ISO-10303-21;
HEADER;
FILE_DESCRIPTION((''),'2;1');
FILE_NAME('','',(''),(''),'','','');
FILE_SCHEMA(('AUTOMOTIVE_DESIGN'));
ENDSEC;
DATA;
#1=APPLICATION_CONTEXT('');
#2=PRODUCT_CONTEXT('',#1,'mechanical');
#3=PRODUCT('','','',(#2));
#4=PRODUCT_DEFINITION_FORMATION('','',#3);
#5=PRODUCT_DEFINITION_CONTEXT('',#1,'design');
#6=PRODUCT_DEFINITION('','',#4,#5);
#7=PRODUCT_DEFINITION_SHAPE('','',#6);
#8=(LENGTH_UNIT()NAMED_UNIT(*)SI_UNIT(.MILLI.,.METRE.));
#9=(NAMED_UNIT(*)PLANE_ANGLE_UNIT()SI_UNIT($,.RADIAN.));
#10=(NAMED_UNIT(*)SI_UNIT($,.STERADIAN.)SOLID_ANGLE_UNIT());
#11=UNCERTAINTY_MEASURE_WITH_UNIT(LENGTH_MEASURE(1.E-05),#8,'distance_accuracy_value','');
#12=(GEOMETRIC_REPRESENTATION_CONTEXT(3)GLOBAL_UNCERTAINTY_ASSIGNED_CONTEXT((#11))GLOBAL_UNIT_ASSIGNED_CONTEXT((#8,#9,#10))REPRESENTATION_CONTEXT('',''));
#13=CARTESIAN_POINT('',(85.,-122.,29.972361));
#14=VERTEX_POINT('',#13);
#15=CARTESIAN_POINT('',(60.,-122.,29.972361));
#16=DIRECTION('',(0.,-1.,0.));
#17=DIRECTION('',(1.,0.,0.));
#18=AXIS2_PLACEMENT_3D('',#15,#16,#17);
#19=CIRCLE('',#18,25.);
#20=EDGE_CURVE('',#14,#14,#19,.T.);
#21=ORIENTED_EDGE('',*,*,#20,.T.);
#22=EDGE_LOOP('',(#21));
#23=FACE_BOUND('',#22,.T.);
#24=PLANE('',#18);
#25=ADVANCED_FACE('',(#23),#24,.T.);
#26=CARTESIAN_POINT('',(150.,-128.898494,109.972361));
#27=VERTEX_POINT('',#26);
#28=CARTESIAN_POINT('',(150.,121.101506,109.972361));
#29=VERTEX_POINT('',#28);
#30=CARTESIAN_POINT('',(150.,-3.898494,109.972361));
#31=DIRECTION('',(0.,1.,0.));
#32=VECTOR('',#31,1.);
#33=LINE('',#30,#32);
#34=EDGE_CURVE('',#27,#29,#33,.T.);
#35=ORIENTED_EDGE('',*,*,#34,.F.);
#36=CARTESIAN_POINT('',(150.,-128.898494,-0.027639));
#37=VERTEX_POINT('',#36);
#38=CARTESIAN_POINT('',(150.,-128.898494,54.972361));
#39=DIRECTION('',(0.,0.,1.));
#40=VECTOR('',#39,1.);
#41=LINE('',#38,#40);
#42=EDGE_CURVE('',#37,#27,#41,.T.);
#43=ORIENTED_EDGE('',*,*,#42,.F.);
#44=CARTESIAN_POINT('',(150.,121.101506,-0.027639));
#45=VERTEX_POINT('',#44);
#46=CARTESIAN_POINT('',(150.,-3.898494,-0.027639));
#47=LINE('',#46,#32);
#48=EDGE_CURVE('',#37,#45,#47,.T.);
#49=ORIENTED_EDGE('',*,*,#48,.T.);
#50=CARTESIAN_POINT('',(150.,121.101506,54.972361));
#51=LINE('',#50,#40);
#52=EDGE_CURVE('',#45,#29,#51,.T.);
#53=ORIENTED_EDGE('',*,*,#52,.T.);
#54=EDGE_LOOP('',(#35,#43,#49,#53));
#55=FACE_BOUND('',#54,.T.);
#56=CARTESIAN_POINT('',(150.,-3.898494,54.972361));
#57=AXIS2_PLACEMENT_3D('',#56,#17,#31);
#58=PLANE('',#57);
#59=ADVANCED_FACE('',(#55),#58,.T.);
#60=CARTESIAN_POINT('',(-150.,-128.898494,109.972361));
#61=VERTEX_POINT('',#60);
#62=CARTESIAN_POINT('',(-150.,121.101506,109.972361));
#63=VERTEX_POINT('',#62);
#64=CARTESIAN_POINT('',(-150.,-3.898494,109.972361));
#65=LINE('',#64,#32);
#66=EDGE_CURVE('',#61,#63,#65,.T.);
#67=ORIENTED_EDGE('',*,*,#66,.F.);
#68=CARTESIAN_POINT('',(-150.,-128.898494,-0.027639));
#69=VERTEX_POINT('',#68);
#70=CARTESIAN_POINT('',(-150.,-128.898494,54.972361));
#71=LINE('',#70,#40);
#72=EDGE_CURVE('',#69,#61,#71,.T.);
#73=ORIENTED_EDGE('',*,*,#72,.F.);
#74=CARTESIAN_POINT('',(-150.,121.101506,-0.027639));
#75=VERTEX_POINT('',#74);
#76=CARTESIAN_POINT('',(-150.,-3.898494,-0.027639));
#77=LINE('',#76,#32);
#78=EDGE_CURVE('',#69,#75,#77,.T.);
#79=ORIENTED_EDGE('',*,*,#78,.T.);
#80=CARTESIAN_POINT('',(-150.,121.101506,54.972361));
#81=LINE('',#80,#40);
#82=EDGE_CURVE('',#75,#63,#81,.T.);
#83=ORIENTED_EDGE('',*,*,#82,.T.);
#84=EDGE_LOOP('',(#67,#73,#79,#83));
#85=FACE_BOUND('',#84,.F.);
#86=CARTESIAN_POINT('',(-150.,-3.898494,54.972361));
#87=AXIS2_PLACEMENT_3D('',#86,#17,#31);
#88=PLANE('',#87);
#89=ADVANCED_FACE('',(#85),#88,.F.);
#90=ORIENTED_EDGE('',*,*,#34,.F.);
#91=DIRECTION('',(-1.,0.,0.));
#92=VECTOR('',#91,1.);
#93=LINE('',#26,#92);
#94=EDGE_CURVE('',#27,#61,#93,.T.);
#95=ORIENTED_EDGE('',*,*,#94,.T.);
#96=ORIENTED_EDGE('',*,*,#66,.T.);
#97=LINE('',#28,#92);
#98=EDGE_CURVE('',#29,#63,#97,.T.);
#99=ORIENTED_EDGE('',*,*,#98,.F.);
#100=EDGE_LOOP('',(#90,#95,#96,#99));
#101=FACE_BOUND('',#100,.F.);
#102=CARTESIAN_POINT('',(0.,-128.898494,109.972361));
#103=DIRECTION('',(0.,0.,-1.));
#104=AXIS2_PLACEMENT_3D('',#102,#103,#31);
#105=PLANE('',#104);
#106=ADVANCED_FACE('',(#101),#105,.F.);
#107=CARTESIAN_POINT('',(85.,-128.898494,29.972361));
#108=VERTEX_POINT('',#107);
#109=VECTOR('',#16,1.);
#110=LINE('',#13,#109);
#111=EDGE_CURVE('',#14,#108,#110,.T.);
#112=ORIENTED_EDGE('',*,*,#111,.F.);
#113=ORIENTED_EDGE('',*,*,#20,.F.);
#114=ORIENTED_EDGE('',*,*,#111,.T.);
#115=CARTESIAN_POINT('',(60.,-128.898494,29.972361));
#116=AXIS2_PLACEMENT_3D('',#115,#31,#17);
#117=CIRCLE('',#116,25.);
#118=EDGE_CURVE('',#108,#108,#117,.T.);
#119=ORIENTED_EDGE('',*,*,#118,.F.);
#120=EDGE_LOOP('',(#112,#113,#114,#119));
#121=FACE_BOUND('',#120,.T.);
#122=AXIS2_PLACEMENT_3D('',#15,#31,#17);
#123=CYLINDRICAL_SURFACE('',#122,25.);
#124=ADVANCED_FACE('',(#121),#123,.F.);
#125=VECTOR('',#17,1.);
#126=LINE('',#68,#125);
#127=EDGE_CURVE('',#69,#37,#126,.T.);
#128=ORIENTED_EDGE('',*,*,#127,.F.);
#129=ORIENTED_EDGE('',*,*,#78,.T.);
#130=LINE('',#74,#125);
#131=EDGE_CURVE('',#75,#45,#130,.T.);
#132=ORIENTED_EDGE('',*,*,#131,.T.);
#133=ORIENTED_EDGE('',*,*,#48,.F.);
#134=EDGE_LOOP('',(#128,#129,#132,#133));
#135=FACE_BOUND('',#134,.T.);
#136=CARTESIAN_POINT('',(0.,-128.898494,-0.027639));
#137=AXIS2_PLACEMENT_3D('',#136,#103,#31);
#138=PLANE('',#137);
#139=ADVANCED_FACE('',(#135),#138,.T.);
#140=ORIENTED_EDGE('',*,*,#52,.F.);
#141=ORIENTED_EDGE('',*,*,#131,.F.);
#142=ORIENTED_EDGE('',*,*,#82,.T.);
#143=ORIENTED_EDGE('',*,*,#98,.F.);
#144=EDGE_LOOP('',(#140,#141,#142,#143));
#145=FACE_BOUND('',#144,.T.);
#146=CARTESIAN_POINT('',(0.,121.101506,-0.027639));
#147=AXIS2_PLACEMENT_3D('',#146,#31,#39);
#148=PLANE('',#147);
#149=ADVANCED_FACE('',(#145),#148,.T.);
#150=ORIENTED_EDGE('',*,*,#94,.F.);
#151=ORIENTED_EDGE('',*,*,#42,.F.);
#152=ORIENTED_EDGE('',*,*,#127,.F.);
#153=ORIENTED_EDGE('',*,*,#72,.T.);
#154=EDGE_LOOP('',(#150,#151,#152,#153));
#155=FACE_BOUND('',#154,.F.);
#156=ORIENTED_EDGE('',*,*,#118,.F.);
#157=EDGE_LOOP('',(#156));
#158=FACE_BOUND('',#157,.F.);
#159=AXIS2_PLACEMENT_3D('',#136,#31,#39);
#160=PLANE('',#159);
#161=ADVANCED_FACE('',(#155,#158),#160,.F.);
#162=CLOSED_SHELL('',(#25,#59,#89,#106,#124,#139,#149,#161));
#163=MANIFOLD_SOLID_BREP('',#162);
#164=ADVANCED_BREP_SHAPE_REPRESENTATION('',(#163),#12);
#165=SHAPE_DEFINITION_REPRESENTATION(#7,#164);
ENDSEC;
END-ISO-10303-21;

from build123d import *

# Parameters (mm, degrees)
F0_W     = 250
F0_H     = 110
F1_DEPTH = 150
F3_START = 122
F2_R     = 25
F3_DEPTH = 80


with BuildPart() as f1:
    # F0 (on Right) → F1 (new body, symmetric)
    with BuildSketch(Plane.YZ):
        with Locations((-3.8984939456, 54.9723605812)):
            Rectangle(F0_W, F0_H)
    extrude(amount=F1_DEPTH, both=True)

    # F2 (on Front) → F3 (cut)
    with BuildSketch(Plane.XZ.offset(F3_START)):
        with Locations((60, 29.9723605812)):
            Circle(F2_R)
    extrude(amount=F3_DEPTH, mode=Mode.SUBTRACT)


solid = f1.part
